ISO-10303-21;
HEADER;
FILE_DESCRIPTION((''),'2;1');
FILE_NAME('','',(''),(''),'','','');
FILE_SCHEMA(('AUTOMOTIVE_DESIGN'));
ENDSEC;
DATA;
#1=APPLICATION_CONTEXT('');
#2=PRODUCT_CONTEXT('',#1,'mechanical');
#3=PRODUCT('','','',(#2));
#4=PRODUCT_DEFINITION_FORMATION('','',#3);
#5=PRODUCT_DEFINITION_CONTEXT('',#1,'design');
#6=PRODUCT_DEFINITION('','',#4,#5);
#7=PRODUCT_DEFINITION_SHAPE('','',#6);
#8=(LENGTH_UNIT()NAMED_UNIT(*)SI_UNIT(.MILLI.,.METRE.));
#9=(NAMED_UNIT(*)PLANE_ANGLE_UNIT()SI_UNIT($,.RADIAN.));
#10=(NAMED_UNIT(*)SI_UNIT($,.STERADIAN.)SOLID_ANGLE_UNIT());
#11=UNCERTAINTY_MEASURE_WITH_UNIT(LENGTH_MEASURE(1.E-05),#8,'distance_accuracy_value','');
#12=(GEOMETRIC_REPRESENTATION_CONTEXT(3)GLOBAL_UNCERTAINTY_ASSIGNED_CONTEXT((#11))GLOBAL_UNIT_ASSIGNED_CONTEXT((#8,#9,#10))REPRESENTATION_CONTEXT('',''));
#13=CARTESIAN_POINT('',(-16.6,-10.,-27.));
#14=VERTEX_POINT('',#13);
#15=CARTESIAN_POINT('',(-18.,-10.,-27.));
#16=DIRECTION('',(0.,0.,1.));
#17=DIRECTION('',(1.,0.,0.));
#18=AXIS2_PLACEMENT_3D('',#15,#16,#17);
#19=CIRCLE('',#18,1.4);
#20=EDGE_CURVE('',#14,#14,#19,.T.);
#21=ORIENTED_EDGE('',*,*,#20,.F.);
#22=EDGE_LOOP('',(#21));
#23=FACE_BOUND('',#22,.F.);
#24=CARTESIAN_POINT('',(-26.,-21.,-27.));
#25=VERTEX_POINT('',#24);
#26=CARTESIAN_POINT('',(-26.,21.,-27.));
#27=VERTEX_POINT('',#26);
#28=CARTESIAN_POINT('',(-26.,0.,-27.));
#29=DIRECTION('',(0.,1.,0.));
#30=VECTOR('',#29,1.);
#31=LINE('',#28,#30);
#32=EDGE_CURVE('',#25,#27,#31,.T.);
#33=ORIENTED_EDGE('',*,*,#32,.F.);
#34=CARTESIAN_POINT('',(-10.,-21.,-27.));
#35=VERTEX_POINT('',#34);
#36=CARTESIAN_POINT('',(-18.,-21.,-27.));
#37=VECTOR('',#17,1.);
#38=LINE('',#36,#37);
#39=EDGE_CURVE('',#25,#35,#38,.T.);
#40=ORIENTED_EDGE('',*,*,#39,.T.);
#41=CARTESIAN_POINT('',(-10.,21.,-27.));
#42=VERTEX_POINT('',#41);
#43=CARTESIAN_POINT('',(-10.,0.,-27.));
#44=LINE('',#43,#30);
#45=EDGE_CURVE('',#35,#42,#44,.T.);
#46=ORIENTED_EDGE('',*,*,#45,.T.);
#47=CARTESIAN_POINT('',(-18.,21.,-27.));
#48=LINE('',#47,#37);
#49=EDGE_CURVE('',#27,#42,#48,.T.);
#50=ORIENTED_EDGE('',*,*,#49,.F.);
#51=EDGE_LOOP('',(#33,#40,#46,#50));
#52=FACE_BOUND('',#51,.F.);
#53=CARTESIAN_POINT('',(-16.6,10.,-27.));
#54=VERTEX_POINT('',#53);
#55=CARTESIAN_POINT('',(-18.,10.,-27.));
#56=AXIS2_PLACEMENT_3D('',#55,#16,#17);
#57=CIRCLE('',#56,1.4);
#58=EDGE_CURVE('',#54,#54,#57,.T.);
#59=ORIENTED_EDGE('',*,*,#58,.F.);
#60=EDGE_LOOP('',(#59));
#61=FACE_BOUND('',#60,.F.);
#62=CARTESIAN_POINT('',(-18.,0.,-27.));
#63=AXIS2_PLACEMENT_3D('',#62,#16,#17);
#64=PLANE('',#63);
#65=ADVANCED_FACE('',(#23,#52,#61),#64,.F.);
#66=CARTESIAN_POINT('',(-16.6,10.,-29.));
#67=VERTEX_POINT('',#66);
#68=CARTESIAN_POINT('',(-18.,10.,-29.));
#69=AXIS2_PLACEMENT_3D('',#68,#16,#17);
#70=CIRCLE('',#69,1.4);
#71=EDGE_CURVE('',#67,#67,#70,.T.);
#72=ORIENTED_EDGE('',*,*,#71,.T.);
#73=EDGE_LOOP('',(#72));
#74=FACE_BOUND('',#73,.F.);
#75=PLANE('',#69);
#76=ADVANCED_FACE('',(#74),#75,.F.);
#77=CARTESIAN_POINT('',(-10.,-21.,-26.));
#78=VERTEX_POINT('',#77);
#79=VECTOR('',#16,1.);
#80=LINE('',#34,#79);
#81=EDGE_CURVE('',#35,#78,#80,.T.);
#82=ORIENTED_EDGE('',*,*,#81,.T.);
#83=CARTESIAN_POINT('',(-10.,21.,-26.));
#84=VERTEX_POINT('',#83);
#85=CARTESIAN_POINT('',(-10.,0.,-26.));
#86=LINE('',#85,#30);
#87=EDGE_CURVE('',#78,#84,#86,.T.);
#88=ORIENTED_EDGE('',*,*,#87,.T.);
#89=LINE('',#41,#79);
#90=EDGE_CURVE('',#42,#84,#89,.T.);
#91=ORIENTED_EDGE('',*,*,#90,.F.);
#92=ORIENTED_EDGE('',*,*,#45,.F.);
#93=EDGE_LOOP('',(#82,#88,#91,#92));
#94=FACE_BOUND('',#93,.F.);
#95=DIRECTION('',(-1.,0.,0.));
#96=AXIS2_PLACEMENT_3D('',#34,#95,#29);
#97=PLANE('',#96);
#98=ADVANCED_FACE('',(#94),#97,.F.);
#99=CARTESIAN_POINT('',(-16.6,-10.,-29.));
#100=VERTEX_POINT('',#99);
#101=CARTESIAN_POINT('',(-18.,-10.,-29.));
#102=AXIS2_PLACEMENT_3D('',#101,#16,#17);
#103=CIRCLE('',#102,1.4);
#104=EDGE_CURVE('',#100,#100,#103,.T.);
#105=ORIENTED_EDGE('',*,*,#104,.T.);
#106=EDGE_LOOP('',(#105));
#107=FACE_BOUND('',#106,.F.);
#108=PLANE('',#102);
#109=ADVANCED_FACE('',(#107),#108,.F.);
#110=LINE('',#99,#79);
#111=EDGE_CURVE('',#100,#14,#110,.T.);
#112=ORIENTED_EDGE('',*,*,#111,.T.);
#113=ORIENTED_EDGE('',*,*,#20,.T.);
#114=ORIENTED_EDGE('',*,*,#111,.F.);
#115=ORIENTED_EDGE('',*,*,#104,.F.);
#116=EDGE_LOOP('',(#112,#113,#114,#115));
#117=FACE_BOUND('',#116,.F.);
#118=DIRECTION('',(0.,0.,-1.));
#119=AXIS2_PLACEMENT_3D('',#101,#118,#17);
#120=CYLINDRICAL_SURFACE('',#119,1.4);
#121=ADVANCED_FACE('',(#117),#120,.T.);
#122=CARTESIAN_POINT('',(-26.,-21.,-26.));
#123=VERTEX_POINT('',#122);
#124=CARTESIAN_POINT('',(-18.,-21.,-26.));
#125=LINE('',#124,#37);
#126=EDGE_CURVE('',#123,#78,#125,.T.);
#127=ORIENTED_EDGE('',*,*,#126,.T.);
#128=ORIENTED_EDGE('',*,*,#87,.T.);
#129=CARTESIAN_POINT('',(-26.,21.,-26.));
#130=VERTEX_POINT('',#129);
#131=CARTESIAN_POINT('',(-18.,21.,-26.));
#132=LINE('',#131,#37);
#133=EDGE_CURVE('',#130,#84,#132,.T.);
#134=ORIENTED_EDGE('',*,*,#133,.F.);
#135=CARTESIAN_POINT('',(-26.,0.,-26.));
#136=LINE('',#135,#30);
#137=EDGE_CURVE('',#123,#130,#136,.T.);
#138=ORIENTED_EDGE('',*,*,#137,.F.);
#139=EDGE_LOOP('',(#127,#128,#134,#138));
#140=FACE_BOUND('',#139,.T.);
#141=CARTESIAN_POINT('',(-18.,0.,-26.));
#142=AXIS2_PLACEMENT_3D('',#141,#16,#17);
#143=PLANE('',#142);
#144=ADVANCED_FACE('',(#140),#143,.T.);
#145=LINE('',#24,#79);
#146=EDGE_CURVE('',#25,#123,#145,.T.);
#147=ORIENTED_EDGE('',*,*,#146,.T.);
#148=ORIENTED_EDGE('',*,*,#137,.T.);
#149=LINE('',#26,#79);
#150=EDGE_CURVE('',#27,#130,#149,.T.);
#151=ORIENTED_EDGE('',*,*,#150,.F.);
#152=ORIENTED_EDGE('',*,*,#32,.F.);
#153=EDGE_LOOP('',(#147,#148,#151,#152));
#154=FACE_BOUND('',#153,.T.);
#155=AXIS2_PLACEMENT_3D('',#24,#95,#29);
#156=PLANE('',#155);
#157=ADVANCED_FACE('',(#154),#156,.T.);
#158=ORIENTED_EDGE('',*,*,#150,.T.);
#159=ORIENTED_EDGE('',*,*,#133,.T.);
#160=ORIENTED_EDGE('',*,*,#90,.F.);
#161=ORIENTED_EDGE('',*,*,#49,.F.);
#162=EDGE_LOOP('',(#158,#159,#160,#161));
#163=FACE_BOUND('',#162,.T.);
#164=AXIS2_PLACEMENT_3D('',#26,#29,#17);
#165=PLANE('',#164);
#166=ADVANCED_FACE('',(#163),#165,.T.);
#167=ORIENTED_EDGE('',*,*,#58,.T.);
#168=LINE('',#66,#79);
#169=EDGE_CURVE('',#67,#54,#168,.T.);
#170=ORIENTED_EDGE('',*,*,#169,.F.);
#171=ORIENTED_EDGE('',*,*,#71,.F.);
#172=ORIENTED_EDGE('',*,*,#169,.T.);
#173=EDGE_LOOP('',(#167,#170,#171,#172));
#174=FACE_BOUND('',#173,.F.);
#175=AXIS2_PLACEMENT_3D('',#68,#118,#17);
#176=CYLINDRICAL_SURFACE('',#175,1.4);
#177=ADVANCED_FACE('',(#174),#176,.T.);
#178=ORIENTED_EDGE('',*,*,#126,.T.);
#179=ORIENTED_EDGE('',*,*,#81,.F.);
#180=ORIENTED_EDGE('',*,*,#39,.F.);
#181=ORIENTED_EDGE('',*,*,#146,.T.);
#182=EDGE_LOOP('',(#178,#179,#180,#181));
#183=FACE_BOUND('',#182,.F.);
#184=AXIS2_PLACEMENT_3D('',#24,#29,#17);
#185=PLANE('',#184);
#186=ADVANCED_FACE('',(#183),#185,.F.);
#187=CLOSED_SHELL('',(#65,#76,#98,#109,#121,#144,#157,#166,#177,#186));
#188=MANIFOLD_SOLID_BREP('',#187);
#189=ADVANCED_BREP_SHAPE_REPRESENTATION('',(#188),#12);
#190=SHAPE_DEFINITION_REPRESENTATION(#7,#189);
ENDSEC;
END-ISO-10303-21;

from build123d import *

# Parameters (mm, degrees)
CYLINDER017_R     = 1.4
CYLINDER017_DEPTH = 2
CYLINDER018_R     = 1.4
CYLINDER018_DEPTH = 2
BOX008_W          = 16
BOX008_H          = 42
BOX008_DEPTH      = 1


with BuildPart() as zylinder017:
    # Cylinder017 → Cylinder017 (new body)
    with BuildSketch(Plane(origin=(16.5, 10, -29.5), x_dir=(1, 0, 0), z_dir=(0, 0, 1))):
        Circle(CYLINDER017_R)
    extrude(amount=CYLINDER017_DEPTH)


with BuildPart() as zylinder018:
    # Cylinder018 → Cylinder018 (new body)
    with BuildSketch(Plane(origin=(16.5, -10, -29.5), x_dir=(1, 0, 0), z_dir=(0, 0, 1))):
        Circle(CYLINDER018_R)
    extrude(amount=CYLINDER018_DEPTH)


with BuildPart() as fusion007:
    # Box008 → Box008 (new body)
    with BuildSketch(Plane(origin=(8.5, -21, -27.5), x_dir=(1, 0, 0), z_dir=(0, 0, 1))):
        with Locations((8, 21)):
            Rectangle(BOX008_W, BOX008_H)
    extrude(amount=BOX008_DEPTH)

    # Fusion007: union Zylinder017, Zylinder018
    add(zylinder017.part)
    add(zylinder018.part)


with BuildPart() as fusion007_1:
    # Fusion007 placement: moved
    add(fusion007.part.moved(Location((-34.5, 0, 0.5))))


solid = fusion007_1.part
